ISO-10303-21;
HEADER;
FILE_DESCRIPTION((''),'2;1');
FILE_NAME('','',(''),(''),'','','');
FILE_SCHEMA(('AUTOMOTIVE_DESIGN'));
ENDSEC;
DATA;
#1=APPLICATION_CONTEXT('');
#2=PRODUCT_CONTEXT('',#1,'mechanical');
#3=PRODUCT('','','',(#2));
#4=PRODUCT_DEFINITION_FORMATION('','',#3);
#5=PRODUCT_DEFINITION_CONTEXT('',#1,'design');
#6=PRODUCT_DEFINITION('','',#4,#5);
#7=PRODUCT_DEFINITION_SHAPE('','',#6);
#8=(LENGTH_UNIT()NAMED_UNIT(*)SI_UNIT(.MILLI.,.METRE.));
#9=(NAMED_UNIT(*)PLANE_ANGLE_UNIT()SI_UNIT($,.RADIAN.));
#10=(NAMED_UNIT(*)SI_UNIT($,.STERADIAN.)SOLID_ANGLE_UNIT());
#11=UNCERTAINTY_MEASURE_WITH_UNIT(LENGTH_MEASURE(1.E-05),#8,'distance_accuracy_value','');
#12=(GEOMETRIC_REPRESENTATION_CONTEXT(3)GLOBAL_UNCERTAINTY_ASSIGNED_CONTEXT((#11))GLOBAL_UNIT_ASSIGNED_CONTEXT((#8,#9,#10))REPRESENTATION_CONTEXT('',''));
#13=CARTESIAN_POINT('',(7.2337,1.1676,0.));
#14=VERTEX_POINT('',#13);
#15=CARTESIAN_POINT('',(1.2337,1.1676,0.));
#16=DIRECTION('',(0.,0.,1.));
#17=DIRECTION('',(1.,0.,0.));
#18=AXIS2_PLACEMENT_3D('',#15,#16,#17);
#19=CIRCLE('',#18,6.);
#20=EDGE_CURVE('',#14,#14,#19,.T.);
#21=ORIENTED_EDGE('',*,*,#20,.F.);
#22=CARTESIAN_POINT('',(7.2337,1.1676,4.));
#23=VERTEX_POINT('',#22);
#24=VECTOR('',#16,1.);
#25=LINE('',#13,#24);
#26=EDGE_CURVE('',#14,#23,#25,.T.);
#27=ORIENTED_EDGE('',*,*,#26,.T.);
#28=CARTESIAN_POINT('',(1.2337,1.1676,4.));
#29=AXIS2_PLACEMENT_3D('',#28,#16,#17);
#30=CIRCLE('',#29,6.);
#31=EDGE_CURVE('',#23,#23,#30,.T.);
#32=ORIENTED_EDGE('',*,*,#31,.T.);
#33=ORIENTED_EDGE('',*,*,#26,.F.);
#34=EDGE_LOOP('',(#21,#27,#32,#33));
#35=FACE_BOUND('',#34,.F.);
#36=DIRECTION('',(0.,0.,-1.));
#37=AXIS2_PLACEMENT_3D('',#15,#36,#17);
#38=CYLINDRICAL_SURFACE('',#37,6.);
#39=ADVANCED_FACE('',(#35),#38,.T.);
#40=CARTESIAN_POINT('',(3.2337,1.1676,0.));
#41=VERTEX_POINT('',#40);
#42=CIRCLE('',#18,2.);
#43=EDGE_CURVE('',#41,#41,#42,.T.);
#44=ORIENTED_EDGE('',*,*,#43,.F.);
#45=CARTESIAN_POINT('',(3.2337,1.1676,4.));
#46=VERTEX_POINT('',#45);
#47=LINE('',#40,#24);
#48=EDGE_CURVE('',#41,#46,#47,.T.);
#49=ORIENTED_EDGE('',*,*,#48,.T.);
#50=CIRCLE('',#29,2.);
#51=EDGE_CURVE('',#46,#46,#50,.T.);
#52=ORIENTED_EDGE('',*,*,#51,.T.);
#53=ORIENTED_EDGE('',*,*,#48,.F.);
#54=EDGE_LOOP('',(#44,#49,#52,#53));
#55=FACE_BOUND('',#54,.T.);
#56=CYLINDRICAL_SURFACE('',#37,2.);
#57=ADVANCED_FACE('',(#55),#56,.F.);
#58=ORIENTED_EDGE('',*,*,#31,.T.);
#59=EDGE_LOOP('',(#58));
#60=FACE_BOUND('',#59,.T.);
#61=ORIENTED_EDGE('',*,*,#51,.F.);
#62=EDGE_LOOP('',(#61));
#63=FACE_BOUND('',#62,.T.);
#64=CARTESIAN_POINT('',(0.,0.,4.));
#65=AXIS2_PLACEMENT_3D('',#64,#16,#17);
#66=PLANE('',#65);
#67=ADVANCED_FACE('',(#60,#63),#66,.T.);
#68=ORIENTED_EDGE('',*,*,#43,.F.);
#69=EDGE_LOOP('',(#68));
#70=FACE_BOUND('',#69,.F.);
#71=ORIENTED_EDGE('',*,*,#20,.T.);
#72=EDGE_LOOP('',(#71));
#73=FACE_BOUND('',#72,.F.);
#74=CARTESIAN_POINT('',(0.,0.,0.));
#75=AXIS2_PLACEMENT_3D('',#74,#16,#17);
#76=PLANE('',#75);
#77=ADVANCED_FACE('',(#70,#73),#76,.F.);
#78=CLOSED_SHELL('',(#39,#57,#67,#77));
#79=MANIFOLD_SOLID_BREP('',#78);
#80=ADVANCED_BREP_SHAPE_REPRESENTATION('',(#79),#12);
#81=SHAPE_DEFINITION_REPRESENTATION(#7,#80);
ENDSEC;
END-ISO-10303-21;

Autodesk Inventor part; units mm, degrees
ref_plane "YZ Plane" through (0, 0, 0) normal (1, 0, 0) x (0, 1, 0)
ref_plane "XZ Plane" through (0, 0, 0) normal (0, 1, 0) x (-1, 0, 0)
ref_plane "XY Plane" through (0, 0, 0) normal (0, 0, 1) x (1, 0, 0)
sketch "Sketch1" plane through (0, 0, 0) normal (0, 0, 1) x (1, 0, 0)
  circle A0 centre (1.2337, 1.1676) radius 2
  circle A1 centre (1.2337, 1.1676) radius 6
  point P0 (0, 0)
  dimension "d0" = 4
  dimension "d1" = 12
extrude "Extrusion1" add sketch "Sketch1" along normal blind 4
properties part number "Bearing"
